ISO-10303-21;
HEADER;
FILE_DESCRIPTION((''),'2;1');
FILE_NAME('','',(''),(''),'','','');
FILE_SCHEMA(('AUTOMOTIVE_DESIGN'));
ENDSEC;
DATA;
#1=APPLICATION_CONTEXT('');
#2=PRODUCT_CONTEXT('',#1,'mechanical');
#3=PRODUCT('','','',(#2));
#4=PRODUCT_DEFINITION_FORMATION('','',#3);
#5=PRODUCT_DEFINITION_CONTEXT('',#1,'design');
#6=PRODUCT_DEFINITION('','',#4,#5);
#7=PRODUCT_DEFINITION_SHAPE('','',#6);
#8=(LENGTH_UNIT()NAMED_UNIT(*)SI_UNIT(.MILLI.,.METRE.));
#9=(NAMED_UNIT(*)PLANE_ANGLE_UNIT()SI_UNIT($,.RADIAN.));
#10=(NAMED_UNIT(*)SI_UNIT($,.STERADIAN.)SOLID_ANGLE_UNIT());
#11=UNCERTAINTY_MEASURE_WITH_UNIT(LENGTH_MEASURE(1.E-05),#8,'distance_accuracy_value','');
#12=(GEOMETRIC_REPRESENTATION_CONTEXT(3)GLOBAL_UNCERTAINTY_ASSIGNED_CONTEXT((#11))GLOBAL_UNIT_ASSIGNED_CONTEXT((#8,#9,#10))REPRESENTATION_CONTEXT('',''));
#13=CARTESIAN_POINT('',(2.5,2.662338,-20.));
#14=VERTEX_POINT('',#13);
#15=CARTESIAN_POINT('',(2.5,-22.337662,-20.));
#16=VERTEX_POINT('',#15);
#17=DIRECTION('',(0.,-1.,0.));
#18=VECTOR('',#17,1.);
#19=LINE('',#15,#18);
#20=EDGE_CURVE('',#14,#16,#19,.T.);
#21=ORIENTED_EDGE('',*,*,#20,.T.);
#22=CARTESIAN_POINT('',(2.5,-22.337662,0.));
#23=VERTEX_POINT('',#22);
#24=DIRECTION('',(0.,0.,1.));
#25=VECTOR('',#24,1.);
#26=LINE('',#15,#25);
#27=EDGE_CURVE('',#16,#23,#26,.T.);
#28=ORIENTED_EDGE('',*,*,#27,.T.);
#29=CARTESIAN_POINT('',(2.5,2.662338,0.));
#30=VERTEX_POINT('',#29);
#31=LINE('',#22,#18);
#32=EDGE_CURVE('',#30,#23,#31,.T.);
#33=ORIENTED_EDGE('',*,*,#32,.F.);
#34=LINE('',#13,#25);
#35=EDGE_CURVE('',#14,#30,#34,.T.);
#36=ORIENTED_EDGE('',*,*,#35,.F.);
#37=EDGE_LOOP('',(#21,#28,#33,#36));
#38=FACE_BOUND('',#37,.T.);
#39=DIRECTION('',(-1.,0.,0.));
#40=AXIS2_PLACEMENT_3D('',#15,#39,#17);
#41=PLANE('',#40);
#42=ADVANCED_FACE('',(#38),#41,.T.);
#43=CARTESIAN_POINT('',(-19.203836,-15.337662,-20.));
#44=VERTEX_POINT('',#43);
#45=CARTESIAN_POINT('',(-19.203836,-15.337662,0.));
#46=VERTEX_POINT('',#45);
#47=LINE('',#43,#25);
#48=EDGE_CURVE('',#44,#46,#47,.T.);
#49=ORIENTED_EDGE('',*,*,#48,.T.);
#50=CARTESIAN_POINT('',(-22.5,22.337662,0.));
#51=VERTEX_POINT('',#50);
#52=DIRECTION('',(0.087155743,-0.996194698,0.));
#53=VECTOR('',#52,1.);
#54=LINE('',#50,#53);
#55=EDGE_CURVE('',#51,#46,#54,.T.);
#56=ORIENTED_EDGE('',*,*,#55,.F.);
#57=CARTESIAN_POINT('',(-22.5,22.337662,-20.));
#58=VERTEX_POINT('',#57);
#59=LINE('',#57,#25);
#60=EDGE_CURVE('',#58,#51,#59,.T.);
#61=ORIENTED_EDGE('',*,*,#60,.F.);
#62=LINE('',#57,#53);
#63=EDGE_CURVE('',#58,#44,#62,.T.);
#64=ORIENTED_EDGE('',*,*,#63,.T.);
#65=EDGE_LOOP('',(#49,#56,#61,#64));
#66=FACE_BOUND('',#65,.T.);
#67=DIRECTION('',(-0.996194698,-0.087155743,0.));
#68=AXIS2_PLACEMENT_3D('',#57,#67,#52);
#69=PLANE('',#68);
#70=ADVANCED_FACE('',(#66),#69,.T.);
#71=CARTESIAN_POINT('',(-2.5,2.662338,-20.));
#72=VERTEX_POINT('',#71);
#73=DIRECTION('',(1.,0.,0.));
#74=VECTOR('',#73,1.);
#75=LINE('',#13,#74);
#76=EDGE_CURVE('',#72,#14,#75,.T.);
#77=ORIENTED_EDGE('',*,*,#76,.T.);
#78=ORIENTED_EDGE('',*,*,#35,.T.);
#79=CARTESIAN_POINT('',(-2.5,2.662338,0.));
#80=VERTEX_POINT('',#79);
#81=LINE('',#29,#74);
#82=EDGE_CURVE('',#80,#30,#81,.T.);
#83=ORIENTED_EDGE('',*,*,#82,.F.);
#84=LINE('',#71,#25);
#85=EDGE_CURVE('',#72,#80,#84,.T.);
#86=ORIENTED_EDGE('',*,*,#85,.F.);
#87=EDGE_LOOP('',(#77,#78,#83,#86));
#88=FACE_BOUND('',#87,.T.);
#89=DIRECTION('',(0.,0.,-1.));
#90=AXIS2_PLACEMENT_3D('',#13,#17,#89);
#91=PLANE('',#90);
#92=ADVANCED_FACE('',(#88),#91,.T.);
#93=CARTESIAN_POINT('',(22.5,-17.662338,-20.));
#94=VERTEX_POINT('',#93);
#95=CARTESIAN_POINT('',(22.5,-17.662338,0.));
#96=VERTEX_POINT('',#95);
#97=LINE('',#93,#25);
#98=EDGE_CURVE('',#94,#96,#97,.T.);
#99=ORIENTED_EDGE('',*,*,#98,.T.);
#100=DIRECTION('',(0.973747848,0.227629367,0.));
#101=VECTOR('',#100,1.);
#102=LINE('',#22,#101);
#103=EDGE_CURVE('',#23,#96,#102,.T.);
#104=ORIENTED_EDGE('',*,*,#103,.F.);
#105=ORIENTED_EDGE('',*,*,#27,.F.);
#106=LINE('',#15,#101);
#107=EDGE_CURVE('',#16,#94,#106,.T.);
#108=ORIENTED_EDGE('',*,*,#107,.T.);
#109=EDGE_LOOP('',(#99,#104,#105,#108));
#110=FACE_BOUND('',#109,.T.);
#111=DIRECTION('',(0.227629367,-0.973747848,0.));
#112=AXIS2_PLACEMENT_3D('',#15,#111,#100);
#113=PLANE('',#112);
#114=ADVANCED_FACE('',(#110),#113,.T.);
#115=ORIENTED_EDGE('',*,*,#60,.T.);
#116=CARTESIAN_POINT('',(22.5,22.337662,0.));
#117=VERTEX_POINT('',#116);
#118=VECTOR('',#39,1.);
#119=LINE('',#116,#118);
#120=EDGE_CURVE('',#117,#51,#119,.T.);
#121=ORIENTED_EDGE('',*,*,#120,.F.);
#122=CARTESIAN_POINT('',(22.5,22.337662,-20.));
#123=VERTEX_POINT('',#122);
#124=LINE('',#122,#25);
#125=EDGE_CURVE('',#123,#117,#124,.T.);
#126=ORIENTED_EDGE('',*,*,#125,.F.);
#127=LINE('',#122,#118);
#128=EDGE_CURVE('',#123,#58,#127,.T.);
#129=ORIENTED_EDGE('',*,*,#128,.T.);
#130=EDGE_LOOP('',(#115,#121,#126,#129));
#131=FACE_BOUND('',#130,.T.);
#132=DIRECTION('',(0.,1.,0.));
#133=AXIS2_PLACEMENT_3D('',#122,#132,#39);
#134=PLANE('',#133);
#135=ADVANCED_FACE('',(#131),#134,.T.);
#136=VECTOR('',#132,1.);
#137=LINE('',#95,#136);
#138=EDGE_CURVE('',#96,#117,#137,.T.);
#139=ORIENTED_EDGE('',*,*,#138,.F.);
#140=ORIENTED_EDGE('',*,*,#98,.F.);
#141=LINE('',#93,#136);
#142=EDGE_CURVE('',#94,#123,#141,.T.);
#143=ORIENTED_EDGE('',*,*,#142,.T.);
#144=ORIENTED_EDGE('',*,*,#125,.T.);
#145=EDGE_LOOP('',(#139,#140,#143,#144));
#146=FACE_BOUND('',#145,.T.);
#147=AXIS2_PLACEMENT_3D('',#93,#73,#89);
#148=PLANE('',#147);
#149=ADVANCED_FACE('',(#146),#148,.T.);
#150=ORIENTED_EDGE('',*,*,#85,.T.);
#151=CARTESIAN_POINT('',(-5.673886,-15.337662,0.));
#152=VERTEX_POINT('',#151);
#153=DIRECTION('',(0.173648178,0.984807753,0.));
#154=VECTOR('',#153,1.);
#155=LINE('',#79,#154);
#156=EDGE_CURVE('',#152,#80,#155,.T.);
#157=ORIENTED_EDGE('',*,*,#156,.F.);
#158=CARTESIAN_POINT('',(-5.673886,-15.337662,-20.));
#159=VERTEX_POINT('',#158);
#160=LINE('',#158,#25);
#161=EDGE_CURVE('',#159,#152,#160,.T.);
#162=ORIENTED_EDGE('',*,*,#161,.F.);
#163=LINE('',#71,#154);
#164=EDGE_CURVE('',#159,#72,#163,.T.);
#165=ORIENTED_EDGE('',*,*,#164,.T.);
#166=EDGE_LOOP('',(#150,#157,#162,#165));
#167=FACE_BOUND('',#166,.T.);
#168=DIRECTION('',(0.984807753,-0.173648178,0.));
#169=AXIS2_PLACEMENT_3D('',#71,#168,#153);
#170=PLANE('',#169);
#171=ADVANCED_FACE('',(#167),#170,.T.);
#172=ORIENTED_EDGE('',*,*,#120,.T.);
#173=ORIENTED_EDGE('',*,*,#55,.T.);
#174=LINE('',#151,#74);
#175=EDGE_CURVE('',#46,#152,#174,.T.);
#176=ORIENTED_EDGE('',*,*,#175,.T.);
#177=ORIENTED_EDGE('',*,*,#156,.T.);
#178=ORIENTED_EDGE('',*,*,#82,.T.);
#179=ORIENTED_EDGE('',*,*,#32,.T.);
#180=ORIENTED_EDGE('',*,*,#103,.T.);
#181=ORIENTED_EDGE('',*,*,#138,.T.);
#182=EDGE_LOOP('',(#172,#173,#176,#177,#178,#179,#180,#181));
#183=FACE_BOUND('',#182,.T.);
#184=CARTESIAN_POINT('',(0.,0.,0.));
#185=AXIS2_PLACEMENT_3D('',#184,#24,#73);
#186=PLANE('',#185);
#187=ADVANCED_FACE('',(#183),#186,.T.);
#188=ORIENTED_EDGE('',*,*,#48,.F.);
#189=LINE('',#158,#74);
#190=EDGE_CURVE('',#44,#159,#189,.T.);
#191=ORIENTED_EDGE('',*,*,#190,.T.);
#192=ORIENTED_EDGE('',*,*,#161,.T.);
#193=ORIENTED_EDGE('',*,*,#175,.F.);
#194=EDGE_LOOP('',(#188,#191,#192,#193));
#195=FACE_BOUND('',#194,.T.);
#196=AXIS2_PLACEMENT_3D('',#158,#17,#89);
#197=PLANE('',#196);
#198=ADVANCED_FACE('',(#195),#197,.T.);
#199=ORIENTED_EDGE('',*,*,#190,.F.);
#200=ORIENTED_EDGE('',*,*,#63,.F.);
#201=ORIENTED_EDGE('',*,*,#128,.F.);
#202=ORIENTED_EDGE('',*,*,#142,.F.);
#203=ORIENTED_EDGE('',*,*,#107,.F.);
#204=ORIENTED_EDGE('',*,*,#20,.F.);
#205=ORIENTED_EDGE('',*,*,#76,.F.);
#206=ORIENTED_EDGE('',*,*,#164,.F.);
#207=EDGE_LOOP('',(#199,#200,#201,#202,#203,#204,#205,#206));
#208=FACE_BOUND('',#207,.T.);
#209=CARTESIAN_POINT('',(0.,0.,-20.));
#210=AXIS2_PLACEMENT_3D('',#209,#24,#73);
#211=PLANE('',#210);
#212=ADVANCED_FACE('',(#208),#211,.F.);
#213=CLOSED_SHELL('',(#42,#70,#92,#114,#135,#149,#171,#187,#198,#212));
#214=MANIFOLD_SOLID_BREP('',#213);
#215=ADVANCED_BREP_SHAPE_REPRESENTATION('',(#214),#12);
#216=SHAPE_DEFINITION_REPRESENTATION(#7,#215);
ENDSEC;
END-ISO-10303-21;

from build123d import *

# Parameters (mm, degrees)
BOSS_EXTRUDE1_DEPTH = 20


with BuildPart() as part:
    # Sketch1 → Boss-Extrude1 (new body)
    with BuildSketch(Plane.XY):
        Polygon((2.5, -22.337662338), (22.5, -17.662337662), (22.5, 22.337662338), (-22.5, 22.337662338), (-19.203836196, -15.337662338), (-5.673885653, -15.337662338), (-2.5, 2.662337662), (2.5, 2.662337662), align=None)
    extrude(amount=-BOSS_EXTRUDE1_DEPTH)


solid = part.part
